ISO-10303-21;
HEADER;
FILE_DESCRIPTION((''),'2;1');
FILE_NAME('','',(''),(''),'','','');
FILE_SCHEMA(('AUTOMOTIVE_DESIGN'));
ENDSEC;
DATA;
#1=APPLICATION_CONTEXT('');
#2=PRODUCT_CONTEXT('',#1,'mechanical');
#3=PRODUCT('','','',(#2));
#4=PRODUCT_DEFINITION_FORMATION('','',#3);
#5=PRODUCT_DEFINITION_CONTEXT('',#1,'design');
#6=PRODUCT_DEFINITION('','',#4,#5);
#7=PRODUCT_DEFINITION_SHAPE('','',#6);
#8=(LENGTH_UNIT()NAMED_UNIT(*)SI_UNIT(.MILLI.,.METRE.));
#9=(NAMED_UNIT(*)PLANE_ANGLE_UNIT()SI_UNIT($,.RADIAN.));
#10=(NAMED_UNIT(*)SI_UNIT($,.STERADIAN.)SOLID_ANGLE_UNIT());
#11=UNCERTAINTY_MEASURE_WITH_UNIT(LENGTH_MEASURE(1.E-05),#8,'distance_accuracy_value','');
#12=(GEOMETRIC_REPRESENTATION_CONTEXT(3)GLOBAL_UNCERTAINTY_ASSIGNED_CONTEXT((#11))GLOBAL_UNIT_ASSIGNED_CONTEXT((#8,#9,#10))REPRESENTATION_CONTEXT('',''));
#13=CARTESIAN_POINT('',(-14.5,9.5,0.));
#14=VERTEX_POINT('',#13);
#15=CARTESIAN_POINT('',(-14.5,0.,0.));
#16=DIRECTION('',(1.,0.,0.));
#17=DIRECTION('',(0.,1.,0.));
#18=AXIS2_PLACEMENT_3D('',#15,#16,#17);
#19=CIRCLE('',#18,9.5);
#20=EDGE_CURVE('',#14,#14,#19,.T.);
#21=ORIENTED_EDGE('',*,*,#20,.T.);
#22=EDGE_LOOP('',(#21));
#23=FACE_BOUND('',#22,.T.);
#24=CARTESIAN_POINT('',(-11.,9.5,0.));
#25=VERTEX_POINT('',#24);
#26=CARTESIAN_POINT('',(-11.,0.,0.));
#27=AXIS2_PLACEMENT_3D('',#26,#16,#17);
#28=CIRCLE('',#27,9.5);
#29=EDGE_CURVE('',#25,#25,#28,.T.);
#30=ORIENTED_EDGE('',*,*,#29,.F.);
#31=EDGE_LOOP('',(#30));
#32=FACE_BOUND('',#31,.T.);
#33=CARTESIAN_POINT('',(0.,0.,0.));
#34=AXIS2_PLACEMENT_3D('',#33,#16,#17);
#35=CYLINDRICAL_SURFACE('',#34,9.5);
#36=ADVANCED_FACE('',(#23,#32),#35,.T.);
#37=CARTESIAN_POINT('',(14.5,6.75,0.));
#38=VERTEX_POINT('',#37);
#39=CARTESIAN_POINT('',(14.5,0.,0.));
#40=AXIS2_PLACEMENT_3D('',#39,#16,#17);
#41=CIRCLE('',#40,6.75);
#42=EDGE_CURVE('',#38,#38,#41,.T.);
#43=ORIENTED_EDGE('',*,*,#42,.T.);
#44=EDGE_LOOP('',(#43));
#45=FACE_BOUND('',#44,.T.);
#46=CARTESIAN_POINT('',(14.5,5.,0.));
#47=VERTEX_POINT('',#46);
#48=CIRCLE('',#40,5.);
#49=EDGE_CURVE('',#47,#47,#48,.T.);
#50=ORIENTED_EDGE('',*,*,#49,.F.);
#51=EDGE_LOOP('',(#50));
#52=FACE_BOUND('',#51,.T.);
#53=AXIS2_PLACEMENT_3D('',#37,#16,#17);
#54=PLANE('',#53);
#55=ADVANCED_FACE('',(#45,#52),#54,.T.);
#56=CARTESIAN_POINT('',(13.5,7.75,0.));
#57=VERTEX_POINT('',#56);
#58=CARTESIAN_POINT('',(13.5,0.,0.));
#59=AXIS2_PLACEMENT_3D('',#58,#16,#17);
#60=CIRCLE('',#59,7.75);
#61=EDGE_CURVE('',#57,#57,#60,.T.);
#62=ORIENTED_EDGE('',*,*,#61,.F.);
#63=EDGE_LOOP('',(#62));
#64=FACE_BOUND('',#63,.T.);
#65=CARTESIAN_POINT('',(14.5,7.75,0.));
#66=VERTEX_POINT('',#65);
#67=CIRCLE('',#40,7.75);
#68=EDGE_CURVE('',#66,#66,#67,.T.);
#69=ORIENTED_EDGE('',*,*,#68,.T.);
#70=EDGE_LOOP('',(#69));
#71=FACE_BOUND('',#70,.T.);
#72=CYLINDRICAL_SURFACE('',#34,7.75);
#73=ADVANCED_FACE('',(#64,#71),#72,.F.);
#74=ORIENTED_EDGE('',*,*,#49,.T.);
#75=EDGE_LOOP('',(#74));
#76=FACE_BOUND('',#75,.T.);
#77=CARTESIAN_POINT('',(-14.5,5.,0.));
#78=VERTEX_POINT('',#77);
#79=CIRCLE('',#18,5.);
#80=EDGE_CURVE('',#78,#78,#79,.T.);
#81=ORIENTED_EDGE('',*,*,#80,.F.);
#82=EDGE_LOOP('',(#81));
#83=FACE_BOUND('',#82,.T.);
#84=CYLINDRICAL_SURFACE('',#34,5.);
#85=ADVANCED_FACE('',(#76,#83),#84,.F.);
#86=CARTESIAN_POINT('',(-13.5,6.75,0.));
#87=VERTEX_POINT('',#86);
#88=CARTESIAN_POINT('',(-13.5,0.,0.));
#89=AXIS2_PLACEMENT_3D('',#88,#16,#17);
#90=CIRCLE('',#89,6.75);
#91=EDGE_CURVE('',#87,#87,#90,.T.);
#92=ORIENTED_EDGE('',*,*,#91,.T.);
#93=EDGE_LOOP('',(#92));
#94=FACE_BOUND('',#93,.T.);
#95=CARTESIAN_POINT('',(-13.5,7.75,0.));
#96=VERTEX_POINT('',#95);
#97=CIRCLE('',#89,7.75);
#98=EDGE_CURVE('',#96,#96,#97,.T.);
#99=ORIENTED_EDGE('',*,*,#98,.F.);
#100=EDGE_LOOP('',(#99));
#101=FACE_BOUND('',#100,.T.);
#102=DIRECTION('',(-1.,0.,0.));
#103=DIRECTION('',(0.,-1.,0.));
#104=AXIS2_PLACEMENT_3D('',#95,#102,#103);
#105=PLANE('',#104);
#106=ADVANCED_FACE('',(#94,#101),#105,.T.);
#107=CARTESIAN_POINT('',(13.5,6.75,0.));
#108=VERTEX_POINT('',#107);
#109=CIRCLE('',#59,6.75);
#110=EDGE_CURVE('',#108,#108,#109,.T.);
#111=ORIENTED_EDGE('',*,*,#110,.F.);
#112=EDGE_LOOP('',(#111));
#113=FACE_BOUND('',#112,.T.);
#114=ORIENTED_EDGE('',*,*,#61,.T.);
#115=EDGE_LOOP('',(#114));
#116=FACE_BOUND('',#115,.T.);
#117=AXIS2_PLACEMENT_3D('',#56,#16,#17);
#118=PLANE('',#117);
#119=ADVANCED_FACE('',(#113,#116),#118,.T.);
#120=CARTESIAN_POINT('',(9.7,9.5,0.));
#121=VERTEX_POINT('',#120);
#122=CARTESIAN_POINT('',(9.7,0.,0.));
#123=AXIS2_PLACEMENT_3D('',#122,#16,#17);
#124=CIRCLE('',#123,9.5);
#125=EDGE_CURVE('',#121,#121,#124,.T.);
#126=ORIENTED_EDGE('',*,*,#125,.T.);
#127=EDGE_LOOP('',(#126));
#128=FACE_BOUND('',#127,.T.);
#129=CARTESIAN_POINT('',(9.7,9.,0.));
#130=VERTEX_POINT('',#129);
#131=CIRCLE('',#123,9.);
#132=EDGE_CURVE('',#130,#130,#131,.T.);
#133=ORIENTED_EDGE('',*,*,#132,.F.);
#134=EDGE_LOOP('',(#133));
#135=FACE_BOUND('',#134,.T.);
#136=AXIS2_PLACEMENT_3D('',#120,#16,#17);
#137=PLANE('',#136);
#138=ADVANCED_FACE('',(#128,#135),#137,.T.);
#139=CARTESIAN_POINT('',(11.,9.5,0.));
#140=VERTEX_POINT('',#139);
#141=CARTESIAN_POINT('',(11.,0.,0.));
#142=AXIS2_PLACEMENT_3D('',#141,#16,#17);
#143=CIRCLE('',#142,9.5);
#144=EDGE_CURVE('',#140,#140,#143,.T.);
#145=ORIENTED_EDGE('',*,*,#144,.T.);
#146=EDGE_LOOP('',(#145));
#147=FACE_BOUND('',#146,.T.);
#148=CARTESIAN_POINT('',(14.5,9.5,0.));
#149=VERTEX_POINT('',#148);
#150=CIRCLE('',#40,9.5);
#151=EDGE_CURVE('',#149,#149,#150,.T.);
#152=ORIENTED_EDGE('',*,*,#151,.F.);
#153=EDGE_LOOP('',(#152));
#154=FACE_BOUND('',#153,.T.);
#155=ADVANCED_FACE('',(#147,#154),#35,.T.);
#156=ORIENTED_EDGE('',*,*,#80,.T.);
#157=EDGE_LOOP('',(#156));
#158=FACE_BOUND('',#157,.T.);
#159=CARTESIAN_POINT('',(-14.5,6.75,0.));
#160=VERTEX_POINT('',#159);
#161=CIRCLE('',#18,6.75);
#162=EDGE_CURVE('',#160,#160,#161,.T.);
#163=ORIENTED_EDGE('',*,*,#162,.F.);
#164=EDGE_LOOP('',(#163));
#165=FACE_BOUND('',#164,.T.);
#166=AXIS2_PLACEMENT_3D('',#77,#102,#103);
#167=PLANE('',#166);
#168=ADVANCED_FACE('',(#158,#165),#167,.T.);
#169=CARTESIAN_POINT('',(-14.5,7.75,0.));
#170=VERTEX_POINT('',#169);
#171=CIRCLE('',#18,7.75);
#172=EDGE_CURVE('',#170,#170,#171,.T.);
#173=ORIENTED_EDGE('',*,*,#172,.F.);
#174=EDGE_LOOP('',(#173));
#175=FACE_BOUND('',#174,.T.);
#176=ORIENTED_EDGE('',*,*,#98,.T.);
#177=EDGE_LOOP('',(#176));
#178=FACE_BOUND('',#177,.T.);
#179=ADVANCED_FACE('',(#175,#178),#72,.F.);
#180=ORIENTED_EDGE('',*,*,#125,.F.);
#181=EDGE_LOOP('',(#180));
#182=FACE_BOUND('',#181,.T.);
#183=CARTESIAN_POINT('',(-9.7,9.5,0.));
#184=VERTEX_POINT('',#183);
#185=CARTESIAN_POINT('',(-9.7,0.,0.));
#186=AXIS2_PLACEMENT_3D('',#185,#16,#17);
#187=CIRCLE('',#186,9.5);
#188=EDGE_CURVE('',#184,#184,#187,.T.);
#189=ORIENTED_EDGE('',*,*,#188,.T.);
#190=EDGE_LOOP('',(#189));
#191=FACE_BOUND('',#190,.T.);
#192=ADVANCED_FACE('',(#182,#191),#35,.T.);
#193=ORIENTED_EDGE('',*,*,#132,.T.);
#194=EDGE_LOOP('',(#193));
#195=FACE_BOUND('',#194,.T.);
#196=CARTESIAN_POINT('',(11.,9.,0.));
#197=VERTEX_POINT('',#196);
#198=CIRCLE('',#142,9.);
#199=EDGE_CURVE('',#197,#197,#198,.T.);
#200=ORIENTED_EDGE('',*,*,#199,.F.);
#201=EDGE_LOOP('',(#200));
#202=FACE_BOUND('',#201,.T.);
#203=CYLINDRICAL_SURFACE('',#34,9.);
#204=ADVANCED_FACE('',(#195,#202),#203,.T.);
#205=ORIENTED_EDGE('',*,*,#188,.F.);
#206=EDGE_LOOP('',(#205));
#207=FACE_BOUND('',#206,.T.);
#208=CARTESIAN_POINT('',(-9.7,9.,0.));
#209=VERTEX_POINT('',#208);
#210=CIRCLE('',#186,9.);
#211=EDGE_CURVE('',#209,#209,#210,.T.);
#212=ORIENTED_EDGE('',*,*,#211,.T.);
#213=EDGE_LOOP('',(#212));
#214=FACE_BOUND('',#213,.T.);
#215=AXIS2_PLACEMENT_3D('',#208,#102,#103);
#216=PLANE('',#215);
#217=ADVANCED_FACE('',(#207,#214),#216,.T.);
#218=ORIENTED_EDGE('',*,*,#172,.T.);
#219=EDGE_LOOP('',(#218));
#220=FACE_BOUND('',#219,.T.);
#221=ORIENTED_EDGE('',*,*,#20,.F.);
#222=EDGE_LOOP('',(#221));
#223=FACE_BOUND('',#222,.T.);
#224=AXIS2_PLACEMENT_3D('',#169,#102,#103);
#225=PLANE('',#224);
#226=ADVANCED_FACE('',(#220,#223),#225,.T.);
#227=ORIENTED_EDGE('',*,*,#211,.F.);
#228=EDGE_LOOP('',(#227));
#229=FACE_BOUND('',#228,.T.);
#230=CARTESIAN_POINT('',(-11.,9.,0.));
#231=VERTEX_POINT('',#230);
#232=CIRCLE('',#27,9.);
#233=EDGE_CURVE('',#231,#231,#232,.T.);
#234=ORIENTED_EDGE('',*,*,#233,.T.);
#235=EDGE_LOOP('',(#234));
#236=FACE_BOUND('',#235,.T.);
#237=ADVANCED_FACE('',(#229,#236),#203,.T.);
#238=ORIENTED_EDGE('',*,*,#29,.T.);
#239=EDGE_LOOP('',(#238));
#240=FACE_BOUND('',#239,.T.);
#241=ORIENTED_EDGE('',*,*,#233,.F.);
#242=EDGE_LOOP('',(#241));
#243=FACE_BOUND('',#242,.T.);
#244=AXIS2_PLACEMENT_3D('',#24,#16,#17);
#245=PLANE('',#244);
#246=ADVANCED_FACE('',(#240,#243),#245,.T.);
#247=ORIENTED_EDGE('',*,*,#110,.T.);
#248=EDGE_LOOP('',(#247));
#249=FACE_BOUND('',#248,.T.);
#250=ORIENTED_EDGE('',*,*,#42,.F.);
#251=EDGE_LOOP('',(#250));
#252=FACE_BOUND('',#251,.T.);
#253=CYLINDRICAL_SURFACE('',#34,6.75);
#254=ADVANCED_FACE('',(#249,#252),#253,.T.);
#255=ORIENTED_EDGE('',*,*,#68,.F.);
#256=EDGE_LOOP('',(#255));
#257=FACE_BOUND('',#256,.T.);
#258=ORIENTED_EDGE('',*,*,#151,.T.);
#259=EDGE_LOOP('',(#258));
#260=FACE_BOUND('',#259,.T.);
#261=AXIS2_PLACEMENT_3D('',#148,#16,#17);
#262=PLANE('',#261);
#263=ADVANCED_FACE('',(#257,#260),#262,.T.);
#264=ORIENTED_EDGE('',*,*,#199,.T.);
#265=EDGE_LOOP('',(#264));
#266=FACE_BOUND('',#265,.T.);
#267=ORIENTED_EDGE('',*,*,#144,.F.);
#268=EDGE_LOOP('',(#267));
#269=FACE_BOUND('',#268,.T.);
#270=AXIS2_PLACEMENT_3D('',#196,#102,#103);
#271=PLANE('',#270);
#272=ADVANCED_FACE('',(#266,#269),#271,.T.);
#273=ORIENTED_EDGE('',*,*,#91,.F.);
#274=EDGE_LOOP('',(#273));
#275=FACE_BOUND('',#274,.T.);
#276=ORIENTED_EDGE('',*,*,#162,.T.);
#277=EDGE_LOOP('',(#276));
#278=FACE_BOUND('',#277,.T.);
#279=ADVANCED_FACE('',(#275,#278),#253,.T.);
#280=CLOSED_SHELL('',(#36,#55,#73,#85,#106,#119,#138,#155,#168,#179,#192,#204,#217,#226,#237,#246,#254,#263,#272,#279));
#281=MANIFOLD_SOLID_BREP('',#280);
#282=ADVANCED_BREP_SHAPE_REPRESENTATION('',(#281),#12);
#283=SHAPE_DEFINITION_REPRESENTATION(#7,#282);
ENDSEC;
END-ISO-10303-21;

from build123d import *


with BuildPart() as part:
    # Esboço1 → Revolução1 (revolve)
    with BuildSketch(Plane.XY):
        Polygon((-14.5, 9.5), (-11, 9.5), (-11, 9), (-9.7, 9), (-9.7, 9.5), (9.7, 9.5), (9.7, 9), (11, 9), (11, 9.5), (14.5, 9.5), (14.5, 7.75), (13.5, 7.75), (13.5, 6.75), (14.5, 6.75), (14.5, 5), (-14.5, 5), (-14.5, 6.75), (-13.5, 6.75), (-13.5, 7.75), (-14.5, 7.75), align=None)
    revolve(axis=Axis((0, 0, 0), (-1, 0, 0)))


solid = part.part
